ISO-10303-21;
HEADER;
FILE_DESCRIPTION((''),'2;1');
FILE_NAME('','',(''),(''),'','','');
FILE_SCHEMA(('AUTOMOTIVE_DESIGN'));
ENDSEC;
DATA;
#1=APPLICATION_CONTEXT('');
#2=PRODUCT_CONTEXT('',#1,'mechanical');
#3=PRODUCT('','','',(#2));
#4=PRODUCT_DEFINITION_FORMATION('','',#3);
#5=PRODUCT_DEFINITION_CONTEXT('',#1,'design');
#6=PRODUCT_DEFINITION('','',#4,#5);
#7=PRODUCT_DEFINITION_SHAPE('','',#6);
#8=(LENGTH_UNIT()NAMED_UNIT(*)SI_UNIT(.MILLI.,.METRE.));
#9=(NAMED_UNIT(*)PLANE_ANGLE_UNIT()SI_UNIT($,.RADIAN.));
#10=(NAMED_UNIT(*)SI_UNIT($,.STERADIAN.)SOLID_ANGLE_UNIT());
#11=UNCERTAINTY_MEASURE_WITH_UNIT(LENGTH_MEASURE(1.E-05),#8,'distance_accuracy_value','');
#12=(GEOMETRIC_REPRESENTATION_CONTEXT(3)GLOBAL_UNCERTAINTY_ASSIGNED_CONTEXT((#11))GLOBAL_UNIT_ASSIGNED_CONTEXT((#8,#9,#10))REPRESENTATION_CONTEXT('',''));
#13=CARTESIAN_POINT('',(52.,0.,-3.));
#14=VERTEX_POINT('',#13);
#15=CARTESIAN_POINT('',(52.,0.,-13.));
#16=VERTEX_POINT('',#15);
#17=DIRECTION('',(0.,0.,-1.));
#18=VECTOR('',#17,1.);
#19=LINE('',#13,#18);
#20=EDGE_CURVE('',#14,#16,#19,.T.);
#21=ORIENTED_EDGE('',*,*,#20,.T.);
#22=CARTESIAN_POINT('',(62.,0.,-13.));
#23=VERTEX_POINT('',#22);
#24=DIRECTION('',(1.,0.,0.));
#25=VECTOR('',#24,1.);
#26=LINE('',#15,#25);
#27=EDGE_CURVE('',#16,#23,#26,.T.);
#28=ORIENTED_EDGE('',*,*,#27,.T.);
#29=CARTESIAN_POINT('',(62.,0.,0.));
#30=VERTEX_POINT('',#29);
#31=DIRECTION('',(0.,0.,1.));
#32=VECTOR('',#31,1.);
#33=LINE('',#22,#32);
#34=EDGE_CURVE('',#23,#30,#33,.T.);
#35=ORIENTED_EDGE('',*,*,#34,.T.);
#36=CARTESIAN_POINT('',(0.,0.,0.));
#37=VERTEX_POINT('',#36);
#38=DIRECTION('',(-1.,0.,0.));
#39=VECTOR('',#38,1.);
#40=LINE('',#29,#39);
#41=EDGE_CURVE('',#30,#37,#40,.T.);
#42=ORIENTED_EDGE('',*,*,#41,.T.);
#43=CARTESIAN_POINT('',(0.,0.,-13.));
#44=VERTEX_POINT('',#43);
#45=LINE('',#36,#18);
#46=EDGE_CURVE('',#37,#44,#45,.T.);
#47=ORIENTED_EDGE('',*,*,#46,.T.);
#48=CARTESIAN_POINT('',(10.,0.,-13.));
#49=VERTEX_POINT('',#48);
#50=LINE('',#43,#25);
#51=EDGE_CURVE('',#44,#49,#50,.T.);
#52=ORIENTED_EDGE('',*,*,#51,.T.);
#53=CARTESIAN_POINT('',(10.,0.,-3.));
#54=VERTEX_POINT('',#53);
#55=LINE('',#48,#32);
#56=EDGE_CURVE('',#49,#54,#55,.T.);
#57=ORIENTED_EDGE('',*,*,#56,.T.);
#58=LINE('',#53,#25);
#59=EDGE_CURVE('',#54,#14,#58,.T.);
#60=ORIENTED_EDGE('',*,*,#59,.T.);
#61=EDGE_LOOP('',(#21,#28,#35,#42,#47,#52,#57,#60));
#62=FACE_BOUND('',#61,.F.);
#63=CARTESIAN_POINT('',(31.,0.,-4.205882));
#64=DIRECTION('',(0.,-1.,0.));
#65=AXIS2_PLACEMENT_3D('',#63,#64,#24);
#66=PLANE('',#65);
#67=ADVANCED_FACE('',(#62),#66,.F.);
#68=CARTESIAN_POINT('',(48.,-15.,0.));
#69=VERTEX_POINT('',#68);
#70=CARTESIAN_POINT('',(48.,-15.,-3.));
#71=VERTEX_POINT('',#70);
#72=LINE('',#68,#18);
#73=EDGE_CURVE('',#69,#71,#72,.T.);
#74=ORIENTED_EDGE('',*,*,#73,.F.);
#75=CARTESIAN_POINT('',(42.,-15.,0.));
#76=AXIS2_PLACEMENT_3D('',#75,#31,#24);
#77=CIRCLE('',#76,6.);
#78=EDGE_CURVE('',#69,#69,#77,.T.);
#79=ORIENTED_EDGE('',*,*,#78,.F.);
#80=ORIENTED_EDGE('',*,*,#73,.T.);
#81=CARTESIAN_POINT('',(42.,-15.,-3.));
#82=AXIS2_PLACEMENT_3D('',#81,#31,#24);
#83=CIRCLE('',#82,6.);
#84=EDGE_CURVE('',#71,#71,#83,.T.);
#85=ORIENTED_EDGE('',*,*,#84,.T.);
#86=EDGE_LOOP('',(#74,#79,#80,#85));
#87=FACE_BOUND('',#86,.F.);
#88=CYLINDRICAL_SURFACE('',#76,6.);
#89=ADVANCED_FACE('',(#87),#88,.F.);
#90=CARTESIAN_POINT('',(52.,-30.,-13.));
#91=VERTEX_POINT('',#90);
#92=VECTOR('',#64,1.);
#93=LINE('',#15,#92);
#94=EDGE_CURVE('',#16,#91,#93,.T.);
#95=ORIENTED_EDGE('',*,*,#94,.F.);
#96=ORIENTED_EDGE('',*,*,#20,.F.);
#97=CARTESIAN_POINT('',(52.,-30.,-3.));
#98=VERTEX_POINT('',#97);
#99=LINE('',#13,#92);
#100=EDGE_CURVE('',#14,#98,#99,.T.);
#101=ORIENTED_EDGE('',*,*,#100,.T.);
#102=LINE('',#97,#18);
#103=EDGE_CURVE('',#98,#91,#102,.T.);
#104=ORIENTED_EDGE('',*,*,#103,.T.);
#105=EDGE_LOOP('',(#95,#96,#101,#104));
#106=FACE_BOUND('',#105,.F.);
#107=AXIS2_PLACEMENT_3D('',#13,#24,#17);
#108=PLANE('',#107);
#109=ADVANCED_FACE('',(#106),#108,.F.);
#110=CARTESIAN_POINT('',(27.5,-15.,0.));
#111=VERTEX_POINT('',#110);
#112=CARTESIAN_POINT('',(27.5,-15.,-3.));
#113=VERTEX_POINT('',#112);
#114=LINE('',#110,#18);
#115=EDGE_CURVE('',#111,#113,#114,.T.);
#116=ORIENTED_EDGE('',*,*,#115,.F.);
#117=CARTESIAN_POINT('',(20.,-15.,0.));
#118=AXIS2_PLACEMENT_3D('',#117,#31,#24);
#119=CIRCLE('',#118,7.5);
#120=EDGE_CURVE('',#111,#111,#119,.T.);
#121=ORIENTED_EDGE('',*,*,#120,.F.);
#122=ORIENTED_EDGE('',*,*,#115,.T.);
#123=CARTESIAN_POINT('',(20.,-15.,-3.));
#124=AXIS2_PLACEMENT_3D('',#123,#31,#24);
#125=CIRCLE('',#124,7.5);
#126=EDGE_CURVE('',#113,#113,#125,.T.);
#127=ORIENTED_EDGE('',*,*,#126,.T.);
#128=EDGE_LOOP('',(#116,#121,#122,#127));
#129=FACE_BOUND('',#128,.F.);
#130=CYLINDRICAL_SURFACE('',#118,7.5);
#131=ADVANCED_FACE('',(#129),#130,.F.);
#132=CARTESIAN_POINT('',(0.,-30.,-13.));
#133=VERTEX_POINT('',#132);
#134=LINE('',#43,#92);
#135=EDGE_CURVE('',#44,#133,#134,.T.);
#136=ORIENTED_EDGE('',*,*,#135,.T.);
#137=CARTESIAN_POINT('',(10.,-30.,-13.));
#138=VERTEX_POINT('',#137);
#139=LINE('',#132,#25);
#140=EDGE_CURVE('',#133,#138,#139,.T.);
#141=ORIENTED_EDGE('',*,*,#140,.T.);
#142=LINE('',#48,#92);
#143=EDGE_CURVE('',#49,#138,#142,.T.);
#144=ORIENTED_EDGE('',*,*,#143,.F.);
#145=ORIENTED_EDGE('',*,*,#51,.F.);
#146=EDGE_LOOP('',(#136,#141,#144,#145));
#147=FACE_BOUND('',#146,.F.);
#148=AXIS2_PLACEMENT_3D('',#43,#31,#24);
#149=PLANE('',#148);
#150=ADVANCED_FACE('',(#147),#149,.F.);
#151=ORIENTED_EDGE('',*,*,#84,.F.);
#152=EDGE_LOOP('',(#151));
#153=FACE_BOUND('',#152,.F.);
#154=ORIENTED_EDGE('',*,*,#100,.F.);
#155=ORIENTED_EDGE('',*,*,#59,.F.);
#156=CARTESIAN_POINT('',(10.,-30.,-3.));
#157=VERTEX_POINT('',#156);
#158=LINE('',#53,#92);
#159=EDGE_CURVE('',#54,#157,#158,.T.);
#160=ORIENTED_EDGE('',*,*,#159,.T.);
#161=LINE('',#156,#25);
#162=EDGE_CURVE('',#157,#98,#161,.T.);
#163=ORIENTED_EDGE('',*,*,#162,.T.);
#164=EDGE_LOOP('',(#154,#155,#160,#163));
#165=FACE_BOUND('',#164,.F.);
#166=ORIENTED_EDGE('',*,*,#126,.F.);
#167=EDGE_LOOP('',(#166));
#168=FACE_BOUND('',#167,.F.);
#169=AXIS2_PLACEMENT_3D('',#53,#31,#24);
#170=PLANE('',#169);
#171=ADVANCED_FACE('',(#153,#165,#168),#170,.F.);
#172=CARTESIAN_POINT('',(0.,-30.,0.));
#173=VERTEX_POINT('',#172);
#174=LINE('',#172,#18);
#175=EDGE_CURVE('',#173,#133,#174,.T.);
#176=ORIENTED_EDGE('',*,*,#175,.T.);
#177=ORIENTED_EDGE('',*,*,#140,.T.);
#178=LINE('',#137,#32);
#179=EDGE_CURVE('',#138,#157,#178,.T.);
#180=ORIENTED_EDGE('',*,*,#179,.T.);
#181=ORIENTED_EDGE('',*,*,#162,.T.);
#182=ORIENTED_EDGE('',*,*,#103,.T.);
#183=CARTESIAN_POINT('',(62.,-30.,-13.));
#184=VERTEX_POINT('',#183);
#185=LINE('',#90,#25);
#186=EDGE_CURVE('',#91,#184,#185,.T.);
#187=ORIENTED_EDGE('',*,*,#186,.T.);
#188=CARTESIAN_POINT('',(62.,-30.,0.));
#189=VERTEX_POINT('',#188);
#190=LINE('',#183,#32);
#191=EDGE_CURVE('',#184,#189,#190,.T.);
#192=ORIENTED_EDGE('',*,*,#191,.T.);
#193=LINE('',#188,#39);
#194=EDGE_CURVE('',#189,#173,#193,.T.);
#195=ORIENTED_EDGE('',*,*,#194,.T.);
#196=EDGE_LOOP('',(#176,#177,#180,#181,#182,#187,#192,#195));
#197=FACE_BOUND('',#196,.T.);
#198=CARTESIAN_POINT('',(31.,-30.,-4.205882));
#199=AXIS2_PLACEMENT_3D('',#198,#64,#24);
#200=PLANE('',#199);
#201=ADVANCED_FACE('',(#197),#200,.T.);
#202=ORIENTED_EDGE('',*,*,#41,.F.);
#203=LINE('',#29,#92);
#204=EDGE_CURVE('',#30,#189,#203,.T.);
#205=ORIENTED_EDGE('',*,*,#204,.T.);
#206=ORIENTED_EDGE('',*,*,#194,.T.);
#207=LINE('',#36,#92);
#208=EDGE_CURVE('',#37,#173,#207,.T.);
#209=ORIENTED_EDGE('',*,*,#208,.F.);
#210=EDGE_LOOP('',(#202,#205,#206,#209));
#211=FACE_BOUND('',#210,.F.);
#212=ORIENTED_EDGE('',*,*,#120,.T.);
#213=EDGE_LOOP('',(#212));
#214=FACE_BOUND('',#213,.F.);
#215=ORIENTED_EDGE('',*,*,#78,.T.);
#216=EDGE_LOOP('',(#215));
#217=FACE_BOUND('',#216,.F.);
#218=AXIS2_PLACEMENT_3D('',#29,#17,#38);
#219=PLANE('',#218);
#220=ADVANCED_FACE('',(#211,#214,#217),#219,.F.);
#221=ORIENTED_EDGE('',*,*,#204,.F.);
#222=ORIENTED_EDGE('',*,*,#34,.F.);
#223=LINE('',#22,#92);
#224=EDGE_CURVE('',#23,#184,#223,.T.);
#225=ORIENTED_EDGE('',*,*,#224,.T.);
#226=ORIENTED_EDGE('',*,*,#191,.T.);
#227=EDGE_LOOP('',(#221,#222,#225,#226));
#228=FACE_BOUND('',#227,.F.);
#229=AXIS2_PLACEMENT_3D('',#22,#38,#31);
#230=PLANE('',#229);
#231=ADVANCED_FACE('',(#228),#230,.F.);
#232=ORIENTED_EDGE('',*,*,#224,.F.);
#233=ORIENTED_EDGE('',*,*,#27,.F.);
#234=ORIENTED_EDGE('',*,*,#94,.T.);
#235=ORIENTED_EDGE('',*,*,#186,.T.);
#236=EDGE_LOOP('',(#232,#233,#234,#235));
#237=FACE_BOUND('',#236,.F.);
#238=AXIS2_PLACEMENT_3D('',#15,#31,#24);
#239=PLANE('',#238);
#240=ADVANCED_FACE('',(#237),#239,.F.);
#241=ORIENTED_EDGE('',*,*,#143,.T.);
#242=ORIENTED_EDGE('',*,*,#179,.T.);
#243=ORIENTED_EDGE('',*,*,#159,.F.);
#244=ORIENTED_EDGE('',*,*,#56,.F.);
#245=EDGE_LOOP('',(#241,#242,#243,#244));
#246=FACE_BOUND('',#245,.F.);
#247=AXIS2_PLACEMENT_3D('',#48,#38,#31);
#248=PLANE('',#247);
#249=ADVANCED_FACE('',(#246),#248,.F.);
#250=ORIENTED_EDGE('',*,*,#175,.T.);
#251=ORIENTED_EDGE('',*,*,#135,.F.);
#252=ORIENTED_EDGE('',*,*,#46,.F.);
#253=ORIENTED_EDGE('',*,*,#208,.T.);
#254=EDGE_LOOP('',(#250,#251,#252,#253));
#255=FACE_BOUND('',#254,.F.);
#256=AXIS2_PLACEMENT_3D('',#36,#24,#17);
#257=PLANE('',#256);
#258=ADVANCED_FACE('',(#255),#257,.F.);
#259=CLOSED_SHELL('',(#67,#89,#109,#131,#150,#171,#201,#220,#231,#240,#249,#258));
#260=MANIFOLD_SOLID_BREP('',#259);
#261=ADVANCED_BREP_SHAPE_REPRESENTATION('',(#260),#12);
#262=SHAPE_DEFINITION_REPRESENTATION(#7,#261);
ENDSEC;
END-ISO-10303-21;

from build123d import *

# Parameters (mm, degrees)
F1_DEPTH = 30
F2_R     = 7.5
F2_R_2   = 6
F3_DEPTH = 13.001


with BuildPart() as f1:
    # F0 (on Front) → F1 (new body)
    with BuildSketch(Plane.XZ):
        Polygon((62, 0), (0, 0), (0, -13), (10, -13), (10, -3), (52, -3), (52, -13), (62, -13), align=None)
    extrude(amount=F1_DEPTH)

    # F2 (on Top) → F3 (cut, through all)
    with BuildSketch(Plane.XY):
        with Locations((20, -15)):
            Circle(F2_R)
        with Locations((42, -15)):
            Circle(F2_R_2)
    extrude(amount=-F3_DEPTH, mode=Mode.SUBTRACT)


solid = f1.part
